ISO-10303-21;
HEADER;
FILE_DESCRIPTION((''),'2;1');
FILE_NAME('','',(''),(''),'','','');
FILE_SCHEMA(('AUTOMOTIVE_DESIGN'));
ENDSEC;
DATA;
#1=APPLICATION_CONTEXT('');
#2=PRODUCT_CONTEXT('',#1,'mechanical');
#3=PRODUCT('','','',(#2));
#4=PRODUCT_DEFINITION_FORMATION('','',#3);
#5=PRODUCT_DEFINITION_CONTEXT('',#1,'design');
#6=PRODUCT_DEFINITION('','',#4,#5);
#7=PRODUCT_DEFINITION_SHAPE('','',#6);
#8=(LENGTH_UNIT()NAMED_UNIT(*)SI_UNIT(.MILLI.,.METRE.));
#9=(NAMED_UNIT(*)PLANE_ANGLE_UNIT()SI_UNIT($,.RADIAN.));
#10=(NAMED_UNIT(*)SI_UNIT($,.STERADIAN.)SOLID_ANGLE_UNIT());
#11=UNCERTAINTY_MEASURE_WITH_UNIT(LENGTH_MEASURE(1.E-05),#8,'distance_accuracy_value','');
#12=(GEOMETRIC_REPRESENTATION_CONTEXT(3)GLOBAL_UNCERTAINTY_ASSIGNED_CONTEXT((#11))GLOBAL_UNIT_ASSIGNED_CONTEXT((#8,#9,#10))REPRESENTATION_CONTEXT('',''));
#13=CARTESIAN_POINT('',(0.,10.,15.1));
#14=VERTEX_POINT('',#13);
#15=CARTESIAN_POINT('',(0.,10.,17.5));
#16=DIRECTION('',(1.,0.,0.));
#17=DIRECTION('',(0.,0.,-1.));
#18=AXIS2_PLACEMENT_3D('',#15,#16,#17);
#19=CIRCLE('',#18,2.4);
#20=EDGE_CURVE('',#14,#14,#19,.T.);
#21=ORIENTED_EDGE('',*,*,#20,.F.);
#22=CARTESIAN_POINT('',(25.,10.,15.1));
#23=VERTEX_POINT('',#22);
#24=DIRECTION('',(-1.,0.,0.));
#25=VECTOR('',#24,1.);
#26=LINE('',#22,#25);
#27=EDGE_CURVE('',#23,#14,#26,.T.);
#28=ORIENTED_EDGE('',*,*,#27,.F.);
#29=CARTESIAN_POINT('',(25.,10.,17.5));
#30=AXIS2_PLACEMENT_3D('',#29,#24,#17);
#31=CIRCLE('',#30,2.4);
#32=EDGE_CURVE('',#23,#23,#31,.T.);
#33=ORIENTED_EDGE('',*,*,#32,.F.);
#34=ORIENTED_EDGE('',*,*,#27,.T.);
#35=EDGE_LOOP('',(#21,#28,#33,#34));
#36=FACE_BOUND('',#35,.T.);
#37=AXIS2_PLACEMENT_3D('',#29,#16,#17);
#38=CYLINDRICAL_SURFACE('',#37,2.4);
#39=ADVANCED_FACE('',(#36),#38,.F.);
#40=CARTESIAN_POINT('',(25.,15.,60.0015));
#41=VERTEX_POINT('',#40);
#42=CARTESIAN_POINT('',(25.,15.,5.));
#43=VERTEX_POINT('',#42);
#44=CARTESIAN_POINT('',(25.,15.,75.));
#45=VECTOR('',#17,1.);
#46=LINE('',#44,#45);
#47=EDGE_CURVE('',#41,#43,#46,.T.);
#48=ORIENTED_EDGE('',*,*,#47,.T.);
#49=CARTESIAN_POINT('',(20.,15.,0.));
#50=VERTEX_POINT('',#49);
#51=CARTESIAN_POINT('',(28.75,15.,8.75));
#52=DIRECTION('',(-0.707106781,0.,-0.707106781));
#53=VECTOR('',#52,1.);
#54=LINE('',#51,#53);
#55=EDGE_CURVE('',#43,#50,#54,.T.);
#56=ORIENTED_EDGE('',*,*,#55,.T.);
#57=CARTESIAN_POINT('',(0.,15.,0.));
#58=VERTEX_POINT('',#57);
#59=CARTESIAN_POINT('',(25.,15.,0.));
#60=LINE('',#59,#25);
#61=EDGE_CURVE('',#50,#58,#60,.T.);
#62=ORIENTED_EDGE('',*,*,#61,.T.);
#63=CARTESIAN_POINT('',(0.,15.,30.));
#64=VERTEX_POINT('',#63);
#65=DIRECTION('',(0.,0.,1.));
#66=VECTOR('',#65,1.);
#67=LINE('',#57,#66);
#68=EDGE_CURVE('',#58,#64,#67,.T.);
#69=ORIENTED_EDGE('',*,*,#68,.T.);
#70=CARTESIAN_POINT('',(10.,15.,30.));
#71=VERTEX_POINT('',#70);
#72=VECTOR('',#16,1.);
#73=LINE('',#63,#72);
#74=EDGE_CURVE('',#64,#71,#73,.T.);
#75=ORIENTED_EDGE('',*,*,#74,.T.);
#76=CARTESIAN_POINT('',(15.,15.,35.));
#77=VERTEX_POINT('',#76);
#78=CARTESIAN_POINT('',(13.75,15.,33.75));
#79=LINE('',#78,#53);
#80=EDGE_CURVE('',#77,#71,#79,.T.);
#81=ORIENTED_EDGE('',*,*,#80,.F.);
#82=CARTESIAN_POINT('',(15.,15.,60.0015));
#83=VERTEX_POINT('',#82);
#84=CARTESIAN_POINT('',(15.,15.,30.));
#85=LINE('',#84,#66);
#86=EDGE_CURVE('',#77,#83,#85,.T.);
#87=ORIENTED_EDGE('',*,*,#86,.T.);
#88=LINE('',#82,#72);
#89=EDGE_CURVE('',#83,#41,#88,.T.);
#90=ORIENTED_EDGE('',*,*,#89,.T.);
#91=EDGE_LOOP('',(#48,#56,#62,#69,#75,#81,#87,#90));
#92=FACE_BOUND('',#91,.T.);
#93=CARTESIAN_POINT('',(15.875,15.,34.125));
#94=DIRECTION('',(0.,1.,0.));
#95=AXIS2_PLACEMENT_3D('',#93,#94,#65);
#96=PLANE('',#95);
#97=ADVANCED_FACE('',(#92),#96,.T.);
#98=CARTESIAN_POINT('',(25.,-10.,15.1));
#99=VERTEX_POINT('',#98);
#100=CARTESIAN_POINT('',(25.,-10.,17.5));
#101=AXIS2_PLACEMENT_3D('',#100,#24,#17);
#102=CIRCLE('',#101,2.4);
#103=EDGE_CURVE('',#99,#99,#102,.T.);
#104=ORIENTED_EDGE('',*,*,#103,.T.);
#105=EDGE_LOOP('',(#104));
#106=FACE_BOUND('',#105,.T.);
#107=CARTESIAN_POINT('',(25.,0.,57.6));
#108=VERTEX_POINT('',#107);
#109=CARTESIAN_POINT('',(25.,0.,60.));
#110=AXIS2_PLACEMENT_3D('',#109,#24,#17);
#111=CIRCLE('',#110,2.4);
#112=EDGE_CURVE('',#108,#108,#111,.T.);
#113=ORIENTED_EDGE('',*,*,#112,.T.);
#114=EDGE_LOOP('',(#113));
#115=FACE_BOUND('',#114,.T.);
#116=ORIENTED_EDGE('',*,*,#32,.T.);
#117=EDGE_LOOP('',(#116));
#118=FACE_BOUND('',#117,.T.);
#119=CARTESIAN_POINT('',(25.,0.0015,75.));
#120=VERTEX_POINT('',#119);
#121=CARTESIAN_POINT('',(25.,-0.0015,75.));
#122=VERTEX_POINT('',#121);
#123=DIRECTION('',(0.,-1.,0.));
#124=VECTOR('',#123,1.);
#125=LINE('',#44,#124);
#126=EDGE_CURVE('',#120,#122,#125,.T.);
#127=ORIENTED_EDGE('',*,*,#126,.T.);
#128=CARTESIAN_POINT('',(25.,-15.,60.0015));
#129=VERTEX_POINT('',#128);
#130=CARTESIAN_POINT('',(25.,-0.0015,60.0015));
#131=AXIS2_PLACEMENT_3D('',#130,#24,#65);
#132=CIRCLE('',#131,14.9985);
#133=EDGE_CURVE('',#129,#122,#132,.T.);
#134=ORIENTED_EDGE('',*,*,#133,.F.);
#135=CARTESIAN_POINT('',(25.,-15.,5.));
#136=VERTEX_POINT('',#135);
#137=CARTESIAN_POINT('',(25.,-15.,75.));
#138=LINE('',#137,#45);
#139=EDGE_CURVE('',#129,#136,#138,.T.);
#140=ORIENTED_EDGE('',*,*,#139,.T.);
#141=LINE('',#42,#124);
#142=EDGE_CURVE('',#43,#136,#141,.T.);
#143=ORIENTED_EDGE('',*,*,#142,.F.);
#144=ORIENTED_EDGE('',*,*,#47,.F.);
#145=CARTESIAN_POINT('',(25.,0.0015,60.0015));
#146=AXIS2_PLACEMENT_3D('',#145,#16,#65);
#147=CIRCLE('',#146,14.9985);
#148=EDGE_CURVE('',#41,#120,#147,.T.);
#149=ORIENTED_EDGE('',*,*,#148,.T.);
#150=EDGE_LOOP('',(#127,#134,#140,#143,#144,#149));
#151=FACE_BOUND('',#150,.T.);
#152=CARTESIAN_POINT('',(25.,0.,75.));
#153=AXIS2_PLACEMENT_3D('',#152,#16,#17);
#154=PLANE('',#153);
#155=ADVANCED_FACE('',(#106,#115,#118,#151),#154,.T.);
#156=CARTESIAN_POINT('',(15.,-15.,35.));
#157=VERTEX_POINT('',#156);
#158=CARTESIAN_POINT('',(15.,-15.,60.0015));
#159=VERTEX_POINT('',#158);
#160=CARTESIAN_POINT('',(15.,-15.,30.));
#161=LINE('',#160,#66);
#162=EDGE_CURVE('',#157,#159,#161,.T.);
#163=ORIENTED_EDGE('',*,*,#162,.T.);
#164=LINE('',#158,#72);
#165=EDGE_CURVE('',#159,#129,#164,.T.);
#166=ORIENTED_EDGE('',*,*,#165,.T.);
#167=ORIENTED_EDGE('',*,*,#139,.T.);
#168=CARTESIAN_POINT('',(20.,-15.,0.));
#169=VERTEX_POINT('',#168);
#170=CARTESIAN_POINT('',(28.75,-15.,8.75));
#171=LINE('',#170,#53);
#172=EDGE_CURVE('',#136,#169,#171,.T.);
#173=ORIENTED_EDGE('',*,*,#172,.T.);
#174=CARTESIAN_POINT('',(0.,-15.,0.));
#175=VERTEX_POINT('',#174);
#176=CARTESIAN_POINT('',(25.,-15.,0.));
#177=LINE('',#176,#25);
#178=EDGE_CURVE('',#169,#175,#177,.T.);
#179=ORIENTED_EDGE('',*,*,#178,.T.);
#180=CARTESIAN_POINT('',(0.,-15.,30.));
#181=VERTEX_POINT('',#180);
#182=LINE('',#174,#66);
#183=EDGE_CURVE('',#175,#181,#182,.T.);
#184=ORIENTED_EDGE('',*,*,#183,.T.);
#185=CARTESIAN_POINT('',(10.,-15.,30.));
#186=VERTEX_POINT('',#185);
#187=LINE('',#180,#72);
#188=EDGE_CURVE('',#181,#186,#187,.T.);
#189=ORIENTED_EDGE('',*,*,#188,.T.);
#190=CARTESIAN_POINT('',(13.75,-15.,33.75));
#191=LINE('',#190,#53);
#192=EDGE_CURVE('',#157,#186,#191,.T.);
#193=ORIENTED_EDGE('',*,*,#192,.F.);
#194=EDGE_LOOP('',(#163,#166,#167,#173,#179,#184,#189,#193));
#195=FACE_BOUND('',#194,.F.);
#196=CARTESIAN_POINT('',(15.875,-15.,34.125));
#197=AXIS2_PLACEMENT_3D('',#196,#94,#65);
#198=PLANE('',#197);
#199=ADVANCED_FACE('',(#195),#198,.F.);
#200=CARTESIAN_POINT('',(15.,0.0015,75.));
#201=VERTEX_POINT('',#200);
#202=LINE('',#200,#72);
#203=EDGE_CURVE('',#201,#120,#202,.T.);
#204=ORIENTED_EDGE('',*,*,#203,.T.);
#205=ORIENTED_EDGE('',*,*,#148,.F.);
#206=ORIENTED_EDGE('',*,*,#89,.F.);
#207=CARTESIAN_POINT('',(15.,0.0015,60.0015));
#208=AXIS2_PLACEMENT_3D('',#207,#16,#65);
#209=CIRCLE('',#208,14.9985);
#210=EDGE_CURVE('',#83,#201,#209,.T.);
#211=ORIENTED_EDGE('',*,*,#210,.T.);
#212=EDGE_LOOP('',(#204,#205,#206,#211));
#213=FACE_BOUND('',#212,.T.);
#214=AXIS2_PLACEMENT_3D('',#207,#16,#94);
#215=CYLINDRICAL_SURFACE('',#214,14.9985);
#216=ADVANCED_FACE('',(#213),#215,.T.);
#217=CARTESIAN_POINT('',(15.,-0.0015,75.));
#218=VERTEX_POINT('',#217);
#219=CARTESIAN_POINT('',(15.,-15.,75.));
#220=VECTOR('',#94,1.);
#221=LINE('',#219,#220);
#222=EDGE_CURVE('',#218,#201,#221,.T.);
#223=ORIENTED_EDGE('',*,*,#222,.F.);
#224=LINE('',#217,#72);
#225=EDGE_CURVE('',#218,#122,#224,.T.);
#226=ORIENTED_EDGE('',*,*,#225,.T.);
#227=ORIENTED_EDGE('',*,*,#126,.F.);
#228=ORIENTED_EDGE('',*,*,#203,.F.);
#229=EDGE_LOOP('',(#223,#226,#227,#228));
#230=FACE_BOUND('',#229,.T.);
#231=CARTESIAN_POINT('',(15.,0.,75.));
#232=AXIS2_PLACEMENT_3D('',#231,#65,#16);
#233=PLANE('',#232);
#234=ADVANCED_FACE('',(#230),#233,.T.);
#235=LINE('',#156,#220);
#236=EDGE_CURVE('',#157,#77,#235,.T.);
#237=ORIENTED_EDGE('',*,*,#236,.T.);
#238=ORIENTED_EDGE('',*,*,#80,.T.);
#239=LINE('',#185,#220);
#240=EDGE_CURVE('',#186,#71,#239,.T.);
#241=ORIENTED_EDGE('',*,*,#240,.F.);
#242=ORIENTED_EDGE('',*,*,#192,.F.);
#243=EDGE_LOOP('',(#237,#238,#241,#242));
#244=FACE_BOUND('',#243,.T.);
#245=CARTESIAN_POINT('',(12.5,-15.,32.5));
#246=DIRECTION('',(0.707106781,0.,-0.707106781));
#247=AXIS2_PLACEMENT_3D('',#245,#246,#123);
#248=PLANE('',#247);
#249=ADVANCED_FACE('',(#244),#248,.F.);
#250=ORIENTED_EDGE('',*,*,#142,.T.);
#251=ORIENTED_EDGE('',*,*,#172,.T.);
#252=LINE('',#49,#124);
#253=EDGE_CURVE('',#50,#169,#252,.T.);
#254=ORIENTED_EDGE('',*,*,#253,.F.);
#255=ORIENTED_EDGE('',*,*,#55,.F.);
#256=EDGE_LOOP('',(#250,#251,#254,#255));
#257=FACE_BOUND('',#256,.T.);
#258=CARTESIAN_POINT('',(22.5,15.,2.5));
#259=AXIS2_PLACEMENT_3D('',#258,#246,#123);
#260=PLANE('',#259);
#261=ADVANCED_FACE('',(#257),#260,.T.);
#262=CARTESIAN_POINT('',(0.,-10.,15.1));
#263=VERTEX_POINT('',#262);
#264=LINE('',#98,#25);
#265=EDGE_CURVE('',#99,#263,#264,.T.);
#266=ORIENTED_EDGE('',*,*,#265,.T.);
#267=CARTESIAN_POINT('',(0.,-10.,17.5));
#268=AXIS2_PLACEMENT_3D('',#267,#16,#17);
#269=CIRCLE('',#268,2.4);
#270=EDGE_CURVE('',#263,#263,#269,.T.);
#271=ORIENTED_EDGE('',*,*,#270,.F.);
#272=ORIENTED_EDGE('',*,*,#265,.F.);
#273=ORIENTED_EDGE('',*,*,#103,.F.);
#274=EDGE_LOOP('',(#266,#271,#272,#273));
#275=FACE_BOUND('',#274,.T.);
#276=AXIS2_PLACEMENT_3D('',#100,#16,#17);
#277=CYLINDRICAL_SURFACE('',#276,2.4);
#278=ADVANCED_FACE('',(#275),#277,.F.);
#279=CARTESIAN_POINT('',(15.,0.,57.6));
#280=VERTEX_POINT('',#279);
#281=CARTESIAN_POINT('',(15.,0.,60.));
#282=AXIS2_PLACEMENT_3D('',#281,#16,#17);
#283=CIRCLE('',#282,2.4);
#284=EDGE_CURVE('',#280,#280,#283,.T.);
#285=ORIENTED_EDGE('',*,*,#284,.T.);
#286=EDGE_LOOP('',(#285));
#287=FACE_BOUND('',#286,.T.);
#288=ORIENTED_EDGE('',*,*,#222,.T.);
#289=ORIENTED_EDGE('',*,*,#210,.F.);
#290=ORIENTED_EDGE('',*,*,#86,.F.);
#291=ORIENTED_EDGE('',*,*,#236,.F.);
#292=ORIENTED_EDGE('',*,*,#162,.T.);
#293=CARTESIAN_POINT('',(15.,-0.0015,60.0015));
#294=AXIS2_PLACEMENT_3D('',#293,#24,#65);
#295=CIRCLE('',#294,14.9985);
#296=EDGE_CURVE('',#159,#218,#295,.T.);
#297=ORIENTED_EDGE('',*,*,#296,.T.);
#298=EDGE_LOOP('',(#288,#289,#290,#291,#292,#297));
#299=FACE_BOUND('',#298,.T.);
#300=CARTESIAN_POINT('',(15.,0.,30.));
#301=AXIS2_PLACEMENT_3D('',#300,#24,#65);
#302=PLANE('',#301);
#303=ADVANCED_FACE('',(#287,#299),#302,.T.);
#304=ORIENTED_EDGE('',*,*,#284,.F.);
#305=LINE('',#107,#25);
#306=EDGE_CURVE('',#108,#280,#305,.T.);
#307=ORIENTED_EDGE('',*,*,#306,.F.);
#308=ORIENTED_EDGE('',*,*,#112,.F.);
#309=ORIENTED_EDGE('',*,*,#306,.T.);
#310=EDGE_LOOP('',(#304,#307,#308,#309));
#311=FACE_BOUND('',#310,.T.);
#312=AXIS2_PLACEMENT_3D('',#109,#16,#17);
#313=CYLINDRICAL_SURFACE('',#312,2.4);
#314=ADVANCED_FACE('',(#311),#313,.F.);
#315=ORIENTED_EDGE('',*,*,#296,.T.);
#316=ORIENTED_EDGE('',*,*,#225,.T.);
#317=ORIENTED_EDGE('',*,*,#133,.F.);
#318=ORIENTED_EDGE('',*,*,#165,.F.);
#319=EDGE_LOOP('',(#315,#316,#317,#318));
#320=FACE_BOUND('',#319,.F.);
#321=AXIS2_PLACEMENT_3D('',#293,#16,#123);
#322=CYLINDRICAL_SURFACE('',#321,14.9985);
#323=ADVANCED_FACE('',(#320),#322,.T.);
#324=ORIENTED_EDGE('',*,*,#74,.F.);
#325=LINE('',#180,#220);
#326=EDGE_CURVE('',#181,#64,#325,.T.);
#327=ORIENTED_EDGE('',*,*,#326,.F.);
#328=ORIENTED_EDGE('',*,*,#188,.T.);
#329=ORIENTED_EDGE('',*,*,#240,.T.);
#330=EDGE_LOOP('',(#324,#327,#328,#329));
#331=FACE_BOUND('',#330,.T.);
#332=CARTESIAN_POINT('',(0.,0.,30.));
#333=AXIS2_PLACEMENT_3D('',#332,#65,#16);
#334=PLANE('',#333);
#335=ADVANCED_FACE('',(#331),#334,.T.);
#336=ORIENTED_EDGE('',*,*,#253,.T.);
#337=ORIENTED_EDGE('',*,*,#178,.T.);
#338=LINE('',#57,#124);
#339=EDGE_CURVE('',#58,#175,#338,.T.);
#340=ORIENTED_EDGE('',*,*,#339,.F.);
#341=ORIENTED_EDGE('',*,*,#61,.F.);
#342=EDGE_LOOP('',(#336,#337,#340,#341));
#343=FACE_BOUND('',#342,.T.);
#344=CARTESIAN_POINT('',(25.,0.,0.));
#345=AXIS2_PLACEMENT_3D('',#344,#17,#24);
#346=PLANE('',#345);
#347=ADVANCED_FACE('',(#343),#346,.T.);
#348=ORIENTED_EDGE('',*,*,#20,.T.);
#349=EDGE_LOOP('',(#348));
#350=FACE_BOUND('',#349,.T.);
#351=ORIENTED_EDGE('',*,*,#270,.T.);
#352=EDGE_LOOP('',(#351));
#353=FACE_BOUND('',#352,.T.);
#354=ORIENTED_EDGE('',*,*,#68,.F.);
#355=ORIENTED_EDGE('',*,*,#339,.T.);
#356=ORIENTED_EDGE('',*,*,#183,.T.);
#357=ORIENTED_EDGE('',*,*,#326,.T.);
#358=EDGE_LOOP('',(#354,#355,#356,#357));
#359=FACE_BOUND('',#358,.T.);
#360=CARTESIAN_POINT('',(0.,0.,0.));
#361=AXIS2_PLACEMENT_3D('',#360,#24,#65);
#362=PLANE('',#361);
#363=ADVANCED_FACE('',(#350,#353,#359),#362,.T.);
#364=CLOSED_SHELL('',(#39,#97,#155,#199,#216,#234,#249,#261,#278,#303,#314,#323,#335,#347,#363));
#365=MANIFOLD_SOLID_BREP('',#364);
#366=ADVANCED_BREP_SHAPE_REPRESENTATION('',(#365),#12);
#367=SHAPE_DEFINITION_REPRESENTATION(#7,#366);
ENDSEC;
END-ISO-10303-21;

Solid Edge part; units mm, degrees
sketch "Sketch1" plane through (0, 0, 0) normal (0, -1, 0) x (1, 0, 0)
  line L0 (0, 0) -> (0, 30)
  line L1 (0, 30) -> (15, 30)
  line L2 (15, 30) -> (15, 75)
  line L3 (15, 75) -> (25, 75)
  line L4 (25, 75) -> (25, 0)
  line L5 (25, 0) -> (0, 0)
  dimension "D1" = 30
  dimension "D2" = 25
  dimension "D3" = 15
  dimension "D4" = 75
extrude "Protrusion1" add sketch "Sketch1" along normal mid plane 30
fillet "Round_1" radius 15 2 edges at (20, -15, 75) (20, 15, 75)
chamfer "Chamfer_1" distance 5 angle 45 2 edges at (25, 0, 0) (15, 0, 30)
hole "Hole_1" at (25, -10, 17.5) direction (-1, 0, 0) diameter 4.8 end up to next
hole "Hole1" at (25, 10, 17.5) direction (-1, 0, 0) diameter 4.8 end up to next
hole "Hole_3" at (25, 0, 60) direction (-1, 0, 0) diameter 4.8 end up to next
properties material "Polyethylene, low density"
